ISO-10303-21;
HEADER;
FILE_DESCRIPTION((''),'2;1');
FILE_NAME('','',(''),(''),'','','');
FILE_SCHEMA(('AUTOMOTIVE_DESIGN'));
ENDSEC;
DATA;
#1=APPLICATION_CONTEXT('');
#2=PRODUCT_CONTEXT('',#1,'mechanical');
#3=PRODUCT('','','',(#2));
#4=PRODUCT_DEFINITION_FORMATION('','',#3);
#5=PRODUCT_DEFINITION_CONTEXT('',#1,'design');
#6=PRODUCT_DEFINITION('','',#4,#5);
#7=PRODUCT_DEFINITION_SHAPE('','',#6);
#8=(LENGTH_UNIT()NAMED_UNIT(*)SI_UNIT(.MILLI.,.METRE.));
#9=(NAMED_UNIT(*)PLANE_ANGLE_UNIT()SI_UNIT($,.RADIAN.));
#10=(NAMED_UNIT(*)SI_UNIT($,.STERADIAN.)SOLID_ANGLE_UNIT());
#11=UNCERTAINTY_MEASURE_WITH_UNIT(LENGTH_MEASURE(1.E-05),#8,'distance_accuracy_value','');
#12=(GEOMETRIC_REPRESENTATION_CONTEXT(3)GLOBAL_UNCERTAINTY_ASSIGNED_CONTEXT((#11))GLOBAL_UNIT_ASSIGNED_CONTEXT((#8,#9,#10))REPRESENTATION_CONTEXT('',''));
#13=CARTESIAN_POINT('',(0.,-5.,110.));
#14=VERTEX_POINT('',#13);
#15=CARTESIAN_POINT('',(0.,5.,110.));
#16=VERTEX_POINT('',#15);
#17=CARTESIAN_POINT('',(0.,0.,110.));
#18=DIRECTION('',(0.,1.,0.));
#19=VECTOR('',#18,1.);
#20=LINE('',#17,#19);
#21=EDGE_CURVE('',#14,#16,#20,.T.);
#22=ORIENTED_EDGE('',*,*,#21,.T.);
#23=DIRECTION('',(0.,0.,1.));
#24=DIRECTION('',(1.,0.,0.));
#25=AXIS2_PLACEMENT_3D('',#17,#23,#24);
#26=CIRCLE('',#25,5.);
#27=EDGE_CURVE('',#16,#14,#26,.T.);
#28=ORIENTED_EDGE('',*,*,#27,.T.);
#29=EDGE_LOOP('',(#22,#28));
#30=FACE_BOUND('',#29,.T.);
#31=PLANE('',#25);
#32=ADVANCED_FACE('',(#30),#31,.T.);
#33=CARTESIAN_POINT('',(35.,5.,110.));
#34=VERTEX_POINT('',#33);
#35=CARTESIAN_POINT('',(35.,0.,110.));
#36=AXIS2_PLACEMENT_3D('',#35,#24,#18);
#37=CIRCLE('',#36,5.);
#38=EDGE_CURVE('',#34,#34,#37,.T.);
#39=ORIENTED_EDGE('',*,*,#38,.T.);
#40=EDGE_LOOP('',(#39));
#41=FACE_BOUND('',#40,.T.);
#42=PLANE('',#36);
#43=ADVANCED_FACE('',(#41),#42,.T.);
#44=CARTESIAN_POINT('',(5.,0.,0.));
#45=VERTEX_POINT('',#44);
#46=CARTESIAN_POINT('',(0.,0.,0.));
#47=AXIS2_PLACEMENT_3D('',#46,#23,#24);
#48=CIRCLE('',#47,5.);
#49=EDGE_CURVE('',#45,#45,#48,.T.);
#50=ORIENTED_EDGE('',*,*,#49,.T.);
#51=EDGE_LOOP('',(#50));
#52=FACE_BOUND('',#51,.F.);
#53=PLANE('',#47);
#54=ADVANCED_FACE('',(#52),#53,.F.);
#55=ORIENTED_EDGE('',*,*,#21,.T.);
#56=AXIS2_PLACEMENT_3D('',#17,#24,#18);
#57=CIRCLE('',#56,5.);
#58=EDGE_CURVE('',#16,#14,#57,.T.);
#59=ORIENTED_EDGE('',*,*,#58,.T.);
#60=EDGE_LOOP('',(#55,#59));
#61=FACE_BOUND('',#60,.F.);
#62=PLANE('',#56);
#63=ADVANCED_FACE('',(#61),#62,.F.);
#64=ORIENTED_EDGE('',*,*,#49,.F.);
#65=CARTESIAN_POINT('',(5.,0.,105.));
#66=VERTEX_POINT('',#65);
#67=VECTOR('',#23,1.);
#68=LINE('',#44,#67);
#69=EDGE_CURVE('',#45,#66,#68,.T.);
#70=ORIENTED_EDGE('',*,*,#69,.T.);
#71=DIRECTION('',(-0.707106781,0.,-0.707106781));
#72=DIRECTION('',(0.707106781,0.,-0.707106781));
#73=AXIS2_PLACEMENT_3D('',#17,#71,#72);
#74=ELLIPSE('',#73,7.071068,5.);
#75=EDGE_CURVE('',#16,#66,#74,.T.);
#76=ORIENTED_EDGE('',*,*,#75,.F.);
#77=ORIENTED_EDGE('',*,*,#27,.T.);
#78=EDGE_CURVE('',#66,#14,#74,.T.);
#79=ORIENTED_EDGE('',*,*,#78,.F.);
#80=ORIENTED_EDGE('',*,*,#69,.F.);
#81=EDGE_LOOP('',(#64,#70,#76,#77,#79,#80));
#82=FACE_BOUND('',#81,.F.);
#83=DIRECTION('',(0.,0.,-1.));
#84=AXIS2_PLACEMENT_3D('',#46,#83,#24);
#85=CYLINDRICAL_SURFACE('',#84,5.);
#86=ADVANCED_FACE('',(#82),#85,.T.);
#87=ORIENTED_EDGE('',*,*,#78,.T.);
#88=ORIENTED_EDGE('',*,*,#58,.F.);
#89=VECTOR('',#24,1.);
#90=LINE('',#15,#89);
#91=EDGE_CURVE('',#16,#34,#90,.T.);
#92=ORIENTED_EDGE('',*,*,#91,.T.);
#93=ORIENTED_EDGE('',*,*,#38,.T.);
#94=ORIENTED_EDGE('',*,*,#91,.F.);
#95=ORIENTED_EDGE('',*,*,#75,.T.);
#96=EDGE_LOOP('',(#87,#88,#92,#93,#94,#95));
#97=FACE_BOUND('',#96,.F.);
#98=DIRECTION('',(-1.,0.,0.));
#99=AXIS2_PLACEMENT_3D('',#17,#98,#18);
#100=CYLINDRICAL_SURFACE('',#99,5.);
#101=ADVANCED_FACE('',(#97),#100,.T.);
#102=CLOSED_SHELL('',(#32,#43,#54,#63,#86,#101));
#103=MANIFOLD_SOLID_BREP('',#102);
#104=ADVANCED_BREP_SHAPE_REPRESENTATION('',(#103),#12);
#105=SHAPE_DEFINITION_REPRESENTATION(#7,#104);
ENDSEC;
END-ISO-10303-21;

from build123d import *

# Parameters (mm, degrees)
CYLINDER_R        = 5
CYLINDER_DEPTH    = 110
CYLINDER001_R     = 5
CYLINDER001_DEPTH = 35


with BuildPart() as part:
    # Cylinder → Cylinder (join)
    with BuildSketch(Plane.XY):
        Circle(CYLINDER_R)
    extrude(amount=CYLINDER_DEPTH)

    # Cylinder001 → Cylinder001 (join)
    with BuildSketch(Plane(origin=(0, 0, 110), x_dir=(0, 1, 0), z_dir=(1, 0, 0))):
        Circle(CYLINDER001_R)
    extrude(amount=CYLINDER001_DEPTH)


solid = part.part
